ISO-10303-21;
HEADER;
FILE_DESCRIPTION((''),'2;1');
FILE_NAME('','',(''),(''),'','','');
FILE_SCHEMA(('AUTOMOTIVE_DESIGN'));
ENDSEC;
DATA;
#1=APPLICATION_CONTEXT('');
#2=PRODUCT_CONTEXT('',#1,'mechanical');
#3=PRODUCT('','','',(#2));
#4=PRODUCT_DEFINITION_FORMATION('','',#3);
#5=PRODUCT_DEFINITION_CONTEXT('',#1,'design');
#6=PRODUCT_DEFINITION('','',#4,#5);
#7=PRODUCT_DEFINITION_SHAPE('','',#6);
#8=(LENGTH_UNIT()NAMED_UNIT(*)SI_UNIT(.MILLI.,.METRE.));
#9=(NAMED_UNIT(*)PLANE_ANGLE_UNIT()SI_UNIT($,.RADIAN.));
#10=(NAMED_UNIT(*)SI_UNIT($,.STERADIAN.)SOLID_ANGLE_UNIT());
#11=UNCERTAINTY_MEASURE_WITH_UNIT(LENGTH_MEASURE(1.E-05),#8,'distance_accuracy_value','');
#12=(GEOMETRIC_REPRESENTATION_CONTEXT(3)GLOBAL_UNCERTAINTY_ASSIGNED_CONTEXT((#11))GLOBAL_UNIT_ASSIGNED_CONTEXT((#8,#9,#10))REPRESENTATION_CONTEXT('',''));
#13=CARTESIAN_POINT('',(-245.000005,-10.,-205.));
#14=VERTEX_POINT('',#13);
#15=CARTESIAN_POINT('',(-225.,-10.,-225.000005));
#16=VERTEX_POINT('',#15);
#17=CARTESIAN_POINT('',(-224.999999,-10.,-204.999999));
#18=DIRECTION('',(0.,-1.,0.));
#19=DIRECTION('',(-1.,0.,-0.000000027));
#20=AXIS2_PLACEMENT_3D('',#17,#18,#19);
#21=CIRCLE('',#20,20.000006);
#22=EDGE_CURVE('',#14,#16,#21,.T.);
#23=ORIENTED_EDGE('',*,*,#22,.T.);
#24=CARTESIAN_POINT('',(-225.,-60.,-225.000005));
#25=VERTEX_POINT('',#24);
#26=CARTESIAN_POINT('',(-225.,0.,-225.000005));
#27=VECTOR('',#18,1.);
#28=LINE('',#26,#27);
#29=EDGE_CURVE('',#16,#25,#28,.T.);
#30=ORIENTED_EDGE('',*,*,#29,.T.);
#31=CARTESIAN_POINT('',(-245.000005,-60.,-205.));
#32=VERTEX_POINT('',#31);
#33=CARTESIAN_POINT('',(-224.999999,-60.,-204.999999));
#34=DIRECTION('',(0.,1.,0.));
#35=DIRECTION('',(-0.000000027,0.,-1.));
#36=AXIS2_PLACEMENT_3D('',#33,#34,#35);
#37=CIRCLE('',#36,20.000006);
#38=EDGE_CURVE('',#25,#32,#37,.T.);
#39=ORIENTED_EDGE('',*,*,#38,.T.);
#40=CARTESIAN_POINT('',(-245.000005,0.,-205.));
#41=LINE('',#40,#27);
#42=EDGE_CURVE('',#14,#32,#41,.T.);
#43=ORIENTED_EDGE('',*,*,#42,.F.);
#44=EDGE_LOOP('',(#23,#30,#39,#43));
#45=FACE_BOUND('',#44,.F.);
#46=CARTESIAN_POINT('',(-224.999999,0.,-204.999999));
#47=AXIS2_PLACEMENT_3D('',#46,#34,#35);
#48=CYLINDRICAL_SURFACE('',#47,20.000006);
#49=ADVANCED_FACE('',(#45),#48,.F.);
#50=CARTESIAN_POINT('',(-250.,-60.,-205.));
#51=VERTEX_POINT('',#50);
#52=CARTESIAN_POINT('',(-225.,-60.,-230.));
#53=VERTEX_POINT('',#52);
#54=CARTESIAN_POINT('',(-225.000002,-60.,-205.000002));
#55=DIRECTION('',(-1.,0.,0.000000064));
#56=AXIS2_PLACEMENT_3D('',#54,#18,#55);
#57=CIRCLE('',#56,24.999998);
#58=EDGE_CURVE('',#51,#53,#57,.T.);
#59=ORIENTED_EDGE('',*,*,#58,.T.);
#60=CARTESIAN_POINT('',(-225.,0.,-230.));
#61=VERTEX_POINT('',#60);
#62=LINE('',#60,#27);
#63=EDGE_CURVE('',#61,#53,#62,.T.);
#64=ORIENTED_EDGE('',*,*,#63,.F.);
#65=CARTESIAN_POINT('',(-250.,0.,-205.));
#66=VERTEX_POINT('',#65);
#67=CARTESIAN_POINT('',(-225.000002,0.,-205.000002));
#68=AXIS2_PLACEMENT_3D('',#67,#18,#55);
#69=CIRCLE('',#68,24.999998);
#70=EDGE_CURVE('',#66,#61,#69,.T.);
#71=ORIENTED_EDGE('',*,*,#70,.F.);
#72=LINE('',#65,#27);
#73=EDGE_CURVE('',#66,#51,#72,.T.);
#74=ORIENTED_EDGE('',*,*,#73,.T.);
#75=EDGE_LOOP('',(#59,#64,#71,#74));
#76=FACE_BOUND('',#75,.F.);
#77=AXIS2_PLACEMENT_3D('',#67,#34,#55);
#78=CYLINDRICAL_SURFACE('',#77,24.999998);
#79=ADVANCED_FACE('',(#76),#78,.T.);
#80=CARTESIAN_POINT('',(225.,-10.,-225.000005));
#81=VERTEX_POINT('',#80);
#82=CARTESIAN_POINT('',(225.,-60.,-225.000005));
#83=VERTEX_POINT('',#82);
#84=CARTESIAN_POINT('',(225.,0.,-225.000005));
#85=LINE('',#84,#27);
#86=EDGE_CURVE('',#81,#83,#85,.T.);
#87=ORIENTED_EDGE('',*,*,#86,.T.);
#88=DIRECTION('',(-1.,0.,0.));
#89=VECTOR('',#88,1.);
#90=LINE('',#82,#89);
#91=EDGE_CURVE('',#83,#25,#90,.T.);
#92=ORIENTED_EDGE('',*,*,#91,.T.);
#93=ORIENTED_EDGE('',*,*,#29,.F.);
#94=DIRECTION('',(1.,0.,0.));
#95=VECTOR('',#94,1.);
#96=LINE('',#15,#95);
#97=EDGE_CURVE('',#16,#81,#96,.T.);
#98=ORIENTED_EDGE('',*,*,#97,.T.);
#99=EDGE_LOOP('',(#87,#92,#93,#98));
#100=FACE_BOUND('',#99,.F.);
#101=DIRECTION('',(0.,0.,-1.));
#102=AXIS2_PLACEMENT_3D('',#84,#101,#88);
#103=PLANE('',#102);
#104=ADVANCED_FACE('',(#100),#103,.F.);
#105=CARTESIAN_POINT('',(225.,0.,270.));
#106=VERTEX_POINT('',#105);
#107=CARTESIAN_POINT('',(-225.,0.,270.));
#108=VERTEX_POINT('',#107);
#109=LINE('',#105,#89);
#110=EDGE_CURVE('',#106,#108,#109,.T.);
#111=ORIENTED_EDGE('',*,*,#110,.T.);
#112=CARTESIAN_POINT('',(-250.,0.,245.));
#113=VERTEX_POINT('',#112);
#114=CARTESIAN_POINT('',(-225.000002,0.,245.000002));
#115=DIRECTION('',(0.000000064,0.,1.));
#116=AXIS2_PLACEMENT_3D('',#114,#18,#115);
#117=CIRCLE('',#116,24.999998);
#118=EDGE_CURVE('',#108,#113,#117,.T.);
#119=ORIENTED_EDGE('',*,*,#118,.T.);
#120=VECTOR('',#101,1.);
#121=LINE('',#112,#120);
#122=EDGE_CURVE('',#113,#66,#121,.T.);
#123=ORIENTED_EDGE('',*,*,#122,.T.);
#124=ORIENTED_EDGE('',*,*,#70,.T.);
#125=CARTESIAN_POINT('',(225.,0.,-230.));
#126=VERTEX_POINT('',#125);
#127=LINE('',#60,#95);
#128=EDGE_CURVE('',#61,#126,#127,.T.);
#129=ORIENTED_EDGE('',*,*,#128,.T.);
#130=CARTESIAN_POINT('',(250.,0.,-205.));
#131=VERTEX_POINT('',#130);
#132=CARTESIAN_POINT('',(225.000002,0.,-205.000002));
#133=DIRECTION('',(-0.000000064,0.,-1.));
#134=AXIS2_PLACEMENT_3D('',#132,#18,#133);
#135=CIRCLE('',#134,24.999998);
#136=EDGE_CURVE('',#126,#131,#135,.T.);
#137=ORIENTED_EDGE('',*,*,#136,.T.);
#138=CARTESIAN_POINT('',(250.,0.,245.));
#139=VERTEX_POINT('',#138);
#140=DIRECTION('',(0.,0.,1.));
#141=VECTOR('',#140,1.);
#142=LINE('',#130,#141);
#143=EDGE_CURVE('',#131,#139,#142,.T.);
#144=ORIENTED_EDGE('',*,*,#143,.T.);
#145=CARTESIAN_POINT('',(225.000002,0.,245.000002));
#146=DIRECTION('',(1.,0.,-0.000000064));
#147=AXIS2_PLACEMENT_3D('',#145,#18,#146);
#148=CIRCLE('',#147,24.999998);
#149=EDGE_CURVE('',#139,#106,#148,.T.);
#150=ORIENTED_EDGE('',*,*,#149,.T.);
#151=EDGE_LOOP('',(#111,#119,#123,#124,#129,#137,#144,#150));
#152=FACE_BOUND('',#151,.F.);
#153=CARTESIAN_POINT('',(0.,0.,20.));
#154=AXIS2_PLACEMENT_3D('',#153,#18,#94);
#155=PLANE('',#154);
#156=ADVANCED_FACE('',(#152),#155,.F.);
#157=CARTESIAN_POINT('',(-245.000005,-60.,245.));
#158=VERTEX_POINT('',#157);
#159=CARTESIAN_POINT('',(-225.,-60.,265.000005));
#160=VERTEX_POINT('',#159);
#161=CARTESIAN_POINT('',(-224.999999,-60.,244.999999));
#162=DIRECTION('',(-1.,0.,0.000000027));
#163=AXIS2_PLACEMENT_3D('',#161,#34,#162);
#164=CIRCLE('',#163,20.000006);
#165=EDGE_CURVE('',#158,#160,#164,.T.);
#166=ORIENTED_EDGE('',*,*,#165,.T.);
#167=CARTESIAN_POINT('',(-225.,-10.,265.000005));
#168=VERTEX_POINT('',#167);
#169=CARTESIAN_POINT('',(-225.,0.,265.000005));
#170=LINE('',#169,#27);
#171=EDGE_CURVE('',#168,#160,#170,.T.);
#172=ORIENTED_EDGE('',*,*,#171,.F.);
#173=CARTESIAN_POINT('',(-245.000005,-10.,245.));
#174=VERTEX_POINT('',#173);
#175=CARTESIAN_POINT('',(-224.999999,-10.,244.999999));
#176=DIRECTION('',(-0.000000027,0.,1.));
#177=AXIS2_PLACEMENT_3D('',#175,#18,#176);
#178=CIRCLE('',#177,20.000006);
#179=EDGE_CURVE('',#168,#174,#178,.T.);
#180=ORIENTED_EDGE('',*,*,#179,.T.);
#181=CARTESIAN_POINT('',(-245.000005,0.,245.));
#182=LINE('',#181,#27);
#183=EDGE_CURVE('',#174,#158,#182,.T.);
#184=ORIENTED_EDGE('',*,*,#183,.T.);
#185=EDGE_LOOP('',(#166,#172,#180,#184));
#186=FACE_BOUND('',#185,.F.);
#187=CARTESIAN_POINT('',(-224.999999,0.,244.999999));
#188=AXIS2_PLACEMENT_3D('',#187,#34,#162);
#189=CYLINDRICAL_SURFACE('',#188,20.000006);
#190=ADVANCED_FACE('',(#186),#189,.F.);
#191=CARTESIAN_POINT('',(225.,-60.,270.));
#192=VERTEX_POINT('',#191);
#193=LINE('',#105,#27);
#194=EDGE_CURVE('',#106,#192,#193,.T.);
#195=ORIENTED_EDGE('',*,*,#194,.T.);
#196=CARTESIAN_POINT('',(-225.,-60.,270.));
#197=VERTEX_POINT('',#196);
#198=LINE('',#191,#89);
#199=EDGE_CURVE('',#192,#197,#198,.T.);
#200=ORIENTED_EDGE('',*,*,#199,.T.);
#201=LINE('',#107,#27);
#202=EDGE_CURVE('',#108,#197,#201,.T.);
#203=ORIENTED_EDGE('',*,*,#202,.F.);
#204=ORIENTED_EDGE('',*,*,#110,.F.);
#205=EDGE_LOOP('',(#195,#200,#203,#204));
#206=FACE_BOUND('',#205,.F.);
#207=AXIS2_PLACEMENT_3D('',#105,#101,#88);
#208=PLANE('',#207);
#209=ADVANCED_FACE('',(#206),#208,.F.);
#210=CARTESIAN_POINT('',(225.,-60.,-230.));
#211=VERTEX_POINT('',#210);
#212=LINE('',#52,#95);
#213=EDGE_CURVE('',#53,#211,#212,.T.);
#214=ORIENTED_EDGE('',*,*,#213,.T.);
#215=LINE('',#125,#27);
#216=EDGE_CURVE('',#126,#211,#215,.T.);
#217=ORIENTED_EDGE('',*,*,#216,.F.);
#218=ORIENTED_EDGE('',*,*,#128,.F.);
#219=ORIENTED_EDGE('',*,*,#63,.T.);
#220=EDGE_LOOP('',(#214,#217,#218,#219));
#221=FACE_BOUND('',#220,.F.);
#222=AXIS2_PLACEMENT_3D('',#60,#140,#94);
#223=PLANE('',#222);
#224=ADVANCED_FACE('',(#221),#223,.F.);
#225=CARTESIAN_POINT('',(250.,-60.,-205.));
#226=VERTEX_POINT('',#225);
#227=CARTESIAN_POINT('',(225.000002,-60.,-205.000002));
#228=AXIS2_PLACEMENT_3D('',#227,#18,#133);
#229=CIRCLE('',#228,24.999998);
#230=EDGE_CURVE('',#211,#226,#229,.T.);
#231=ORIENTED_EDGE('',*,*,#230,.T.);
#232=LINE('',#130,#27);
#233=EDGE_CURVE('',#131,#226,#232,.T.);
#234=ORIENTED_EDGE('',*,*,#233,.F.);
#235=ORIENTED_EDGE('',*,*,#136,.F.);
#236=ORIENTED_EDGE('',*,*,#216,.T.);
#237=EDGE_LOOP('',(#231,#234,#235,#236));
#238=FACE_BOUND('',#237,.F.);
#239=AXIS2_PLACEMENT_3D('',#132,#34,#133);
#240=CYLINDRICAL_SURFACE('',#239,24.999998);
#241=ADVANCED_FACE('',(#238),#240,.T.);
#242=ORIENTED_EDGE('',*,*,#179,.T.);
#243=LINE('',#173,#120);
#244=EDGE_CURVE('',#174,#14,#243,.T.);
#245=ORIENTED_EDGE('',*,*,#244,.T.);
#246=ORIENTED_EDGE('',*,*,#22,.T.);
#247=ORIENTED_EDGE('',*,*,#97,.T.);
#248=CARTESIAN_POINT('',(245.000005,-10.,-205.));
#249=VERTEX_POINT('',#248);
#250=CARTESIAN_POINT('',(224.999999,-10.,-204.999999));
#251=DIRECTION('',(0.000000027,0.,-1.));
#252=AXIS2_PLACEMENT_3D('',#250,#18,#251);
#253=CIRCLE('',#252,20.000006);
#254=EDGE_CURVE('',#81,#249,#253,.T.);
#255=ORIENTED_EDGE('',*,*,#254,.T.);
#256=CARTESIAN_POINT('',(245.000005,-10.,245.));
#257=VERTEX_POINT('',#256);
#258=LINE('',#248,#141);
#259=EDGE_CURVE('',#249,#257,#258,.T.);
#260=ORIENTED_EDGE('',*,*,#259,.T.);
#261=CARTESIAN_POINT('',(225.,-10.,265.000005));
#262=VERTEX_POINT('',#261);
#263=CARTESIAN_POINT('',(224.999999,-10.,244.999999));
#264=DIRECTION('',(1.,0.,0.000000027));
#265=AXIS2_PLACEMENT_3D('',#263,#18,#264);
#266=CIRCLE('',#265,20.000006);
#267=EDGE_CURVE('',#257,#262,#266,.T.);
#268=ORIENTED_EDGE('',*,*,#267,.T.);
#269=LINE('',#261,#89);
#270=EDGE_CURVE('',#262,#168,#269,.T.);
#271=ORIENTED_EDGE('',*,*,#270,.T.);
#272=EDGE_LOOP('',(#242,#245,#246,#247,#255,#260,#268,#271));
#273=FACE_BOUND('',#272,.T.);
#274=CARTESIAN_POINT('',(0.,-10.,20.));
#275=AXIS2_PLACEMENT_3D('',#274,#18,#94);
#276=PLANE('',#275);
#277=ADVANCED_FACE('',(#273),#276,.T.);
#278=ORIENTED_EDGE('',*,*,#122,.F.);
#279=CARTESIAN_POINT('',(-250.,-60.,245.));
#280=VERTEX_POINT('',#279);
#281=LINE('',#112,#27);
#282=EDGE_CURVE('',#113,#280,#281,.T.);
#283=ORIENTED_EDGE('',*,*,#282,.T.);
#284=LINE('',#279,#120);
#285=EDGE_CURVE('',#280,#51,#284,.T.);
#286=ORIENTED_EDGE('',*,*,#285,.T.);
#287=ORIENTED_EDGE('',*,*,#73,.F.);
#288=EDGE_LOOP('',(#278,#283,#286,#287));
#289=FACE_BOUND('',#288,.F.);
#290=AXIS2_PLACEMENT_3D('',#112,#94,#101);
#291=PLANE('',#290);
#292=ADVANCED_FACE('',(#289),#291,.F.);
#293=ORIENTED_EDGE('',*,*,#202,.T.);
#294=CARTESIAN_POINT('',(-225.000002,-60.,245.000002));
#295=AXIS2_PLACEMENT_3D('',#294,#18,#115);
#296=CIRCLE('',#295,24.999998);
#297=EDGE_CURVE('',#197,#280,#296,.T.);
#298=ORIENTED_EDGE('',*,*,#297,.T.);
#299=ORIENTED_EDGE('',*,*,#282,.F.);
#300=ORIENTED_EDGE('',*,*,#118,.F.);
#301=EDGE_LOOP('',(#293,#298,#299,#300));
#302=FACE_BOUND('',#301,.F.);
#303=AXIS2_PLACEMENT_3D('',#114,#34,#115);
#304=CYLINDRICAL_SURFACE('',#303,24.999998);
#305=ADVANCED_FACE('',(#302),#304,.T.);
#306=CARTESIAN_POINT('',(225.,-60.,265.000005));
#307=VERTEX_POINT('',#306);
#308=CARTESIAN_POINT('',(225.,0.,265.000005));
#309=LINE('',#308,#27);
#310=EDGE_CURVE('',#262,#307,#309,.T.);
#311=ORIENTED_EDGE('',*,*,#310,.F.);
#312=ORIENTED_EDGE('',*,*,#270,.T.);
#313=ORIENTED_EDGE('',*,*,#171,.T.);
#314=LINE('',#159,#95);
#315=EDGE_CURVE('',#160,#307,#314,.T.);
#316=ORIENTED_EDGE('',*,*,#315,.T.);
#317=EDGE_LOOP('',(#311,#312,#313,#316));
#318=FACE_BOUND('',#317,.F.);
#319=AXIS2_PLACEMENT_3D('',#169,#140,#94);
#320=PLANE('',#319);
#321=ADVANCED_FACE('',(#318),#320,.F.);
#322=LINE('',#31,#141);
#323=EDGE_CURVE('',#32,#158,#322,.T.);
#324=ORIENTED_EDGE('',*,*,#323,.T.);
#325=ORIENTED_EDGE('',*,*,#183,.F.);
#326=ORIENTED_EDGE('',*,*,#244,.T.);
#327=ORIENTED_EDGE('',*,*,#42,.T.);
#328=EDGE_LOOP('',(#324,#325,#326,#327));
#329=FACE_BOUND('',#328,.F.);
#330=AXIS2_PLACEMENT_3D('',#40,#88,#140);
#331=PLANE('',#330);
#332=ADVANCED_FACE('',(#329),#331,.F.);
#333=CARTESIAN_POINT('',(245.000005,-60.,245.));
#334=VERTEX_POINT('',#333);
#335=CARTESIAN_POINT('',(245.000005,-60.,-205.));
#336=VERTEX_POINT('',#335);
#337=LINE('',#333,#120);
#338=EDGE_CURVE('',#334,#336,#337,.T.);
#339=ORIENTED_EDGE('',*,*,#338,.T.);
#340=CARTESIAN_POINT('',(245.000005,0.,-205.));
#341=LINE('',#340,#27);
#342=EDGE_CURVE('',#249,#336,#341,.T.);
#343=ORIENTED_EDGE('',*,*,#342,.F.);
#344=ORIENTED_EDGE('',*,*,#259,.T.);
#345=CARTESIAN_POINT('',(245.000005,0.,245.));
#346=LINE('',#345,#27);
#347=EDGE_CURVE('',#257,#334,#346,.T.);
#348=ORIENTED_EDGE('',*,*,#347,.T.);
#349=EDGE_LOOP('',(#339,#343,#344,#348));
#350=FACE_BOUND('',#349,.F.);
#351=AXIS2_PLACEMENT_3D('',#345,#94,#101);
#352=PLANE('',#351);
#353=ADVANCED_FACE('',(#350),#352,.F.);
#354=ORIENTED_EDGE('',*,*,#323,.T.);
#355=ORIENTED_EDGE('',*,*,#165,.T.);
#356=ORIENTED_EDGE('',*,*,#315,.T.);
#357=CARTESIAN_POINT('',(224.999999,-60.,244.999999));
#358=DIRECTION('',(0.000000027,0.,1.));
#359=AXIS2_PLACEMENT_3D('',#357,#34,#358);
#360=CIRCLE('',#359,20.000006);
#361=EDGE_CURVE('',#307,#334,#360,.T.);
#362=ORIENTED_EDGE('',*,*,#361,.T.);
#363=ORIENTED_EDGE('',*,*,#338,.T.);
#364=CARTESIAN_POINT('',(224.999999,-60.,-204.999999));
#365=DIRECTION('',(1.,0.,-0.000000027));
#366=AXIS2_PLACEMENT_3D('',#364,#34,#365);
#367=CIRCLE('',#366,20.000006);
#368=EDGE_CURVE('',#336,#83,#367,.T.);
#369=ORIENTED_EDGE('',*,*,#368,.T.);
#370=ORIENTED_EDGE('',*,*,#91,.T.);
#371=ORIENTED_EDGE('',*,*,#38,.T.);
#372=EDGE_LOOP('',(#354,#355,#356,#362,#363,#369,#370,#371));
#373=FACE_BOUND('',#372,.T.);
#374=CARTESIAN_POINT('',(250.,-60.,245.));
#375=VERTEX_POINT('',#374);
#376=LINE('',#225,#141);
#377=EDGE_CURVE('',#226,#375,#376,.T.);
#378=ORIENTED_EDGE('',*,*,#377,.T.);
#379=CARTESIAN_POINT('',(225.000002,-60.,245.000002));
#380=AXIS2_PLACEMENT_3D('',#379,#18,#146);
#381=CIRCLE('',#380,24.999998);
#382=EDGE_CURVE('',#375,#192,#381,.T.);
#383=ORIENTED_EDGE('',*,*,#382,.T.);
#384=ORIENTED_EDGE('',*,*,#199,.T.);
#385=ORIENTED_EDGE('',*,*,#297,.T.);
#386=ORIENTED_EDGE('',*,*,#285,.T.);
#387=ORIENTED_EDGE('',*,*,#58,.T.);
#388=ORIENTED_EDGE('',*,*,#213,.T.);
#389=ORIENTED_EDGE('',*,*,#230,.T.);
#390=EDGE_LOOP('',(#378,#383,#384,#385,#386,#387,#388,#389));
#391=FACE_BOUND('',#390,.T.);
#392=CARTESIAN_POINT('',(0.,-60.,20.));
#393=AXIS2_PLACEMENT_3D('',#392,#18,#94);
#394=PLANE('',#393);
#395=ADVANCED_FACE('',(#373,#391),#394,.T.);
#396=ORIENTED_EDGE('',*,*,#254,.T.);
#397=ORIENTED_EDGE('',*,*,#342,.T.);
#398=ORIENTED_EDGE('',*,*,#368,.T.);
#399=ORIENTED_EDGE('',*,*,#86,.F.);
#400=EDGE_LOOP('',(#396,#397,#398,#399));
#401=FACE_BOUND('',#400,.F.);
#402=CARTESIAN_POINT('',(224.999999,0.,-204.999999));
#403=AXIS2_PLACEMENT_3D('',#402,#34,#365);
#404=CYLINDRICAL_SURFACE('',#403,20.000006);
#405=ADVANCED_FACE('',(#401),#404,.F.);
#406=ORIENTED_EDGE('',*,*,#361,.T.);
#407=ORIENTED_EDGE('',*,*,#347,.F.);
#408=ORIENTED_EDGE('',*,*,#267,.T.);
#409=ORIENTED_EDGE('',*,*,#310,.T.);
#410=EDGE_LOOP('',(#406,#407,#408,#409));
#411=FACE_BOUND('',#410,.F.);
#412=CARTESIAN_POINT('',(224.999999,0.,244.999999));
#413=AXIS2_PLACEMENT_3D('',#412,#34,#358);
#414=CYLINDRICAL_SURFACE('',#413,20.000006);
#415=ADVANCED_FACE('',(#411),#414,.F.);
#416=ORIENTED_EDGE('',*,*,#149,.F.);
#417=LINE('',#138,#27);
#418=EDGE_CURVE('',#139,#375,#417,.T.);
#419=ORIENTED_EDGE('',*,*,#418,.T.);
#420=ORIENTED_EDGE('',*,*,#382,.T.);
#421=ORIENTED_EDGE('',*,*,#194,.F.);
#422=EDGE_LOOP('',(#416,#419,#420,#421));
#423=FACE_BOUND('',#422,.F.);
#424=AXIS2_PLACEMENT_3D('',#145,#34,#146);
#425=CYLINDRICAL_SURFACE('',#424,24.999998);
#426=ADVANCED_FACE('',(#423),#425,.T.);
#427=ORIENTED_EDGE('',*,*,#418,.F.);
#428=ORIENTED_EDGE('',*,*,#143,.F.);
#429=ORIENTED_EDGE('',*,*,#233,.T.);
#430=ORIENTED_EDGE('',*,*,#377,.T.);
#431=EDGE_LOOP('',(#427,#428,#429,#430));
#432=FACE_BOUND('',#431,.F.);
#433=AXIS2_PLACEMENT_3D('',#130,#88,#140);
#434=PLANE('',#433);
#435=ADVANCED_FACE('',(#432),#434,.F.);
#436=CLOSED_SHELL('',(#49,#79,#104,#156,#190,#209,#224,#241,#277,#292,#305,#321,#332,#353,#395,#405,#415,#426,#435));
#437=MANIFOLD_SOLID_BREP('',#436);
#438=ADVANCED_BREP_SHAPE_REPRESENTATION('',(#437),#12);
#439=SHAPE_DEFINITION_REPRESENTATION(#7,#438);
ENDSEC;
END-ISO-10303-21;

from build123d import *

# Parameters (mm, degrees)
F1_DEPTH = 60
F2_DEPTH = 10


with BuildPart() as f1:
    # F0 (on Front) → F1 (new body)
    with BuildSketch(Plane.XZ):
        with BuildLine():
            Line((250, -205), (250, 20))
            Line((250, 20), (250, 245))
            ThreePointArc((250, 245), (242.67767, 262.67767), (225, 270))
            Line((225, 270), (-225, 270))
            ThreePointArc((-225, 270), (-242.67767, 262.67767), (-250, 245))
            Line((-250, 245), (-250, -205))
            ThreePointArc((-250, -205), (-242.67767, -222.67767), (-225, -230))
            Line((-225, -230), (225, -230))
            ThreePointArc((225, -230), (242.67767, -222.67767), (250, -205))
        make_face()
        with BuildLine():
            Line((245.000005, 20), (245.000005, -205))
            ThreePointArc((245.000005, -205), (239.142139, -219.142139), (225, -225.000005))
            Line((225, -225.000005), (-225, -225.000005))
            ThreePointArc((-225, -225.000005), (-239.142139, -219.142139), (-245.000005, -205))
            Line((-245.000005, -205), (-245.000005, 245))
            ThreePointArc((-245.000005, 245), (-239.142139, 259.142139), (-225, 265.000005))
            Line((-225, 265.000005), (225, 265.000005))
            ThreePointArc((225, 265.000005), (239.142139, 259.142139), (245.000005, 245))
            Line((245.000005, 245), (245.000005, 20))
        make_face(mode=Mode.SUBTRACT)
    extrude(amount=F1_DEPTH)

    # F0 (on Front) → F2 (join)
    with BuildSketch(Plane.XZ):
        with BuildLine():
            ThreePointArc((225, -225.000005), (239.142139, -219.142139), (245.000005, -205))
            Line((245.000005, -205), (245.000005, 20))
            Line((245.000005, 20), (245.000005, 245))
            ThreePointArc((245.000005, 245), (239.142139, 259.142139), (225, 265.000005))
            Line((225, 265.000005), (-225, 265.000005))
            ThreePointArc((-225, 265.000005), (-239.142139, 259.142139), (-245.000005, 245))
            Line((-245.000005, 245), (-245.000005, -205))
            ThreePointArc((-245.000005, -205), (-239.142139, -219.142139), (-225, -225.000005))
            Line((-225, -225.000005), (225, -225.000005))
        make_face()
    extrude(amount=F2_DEPTH)


solid = f1.part
